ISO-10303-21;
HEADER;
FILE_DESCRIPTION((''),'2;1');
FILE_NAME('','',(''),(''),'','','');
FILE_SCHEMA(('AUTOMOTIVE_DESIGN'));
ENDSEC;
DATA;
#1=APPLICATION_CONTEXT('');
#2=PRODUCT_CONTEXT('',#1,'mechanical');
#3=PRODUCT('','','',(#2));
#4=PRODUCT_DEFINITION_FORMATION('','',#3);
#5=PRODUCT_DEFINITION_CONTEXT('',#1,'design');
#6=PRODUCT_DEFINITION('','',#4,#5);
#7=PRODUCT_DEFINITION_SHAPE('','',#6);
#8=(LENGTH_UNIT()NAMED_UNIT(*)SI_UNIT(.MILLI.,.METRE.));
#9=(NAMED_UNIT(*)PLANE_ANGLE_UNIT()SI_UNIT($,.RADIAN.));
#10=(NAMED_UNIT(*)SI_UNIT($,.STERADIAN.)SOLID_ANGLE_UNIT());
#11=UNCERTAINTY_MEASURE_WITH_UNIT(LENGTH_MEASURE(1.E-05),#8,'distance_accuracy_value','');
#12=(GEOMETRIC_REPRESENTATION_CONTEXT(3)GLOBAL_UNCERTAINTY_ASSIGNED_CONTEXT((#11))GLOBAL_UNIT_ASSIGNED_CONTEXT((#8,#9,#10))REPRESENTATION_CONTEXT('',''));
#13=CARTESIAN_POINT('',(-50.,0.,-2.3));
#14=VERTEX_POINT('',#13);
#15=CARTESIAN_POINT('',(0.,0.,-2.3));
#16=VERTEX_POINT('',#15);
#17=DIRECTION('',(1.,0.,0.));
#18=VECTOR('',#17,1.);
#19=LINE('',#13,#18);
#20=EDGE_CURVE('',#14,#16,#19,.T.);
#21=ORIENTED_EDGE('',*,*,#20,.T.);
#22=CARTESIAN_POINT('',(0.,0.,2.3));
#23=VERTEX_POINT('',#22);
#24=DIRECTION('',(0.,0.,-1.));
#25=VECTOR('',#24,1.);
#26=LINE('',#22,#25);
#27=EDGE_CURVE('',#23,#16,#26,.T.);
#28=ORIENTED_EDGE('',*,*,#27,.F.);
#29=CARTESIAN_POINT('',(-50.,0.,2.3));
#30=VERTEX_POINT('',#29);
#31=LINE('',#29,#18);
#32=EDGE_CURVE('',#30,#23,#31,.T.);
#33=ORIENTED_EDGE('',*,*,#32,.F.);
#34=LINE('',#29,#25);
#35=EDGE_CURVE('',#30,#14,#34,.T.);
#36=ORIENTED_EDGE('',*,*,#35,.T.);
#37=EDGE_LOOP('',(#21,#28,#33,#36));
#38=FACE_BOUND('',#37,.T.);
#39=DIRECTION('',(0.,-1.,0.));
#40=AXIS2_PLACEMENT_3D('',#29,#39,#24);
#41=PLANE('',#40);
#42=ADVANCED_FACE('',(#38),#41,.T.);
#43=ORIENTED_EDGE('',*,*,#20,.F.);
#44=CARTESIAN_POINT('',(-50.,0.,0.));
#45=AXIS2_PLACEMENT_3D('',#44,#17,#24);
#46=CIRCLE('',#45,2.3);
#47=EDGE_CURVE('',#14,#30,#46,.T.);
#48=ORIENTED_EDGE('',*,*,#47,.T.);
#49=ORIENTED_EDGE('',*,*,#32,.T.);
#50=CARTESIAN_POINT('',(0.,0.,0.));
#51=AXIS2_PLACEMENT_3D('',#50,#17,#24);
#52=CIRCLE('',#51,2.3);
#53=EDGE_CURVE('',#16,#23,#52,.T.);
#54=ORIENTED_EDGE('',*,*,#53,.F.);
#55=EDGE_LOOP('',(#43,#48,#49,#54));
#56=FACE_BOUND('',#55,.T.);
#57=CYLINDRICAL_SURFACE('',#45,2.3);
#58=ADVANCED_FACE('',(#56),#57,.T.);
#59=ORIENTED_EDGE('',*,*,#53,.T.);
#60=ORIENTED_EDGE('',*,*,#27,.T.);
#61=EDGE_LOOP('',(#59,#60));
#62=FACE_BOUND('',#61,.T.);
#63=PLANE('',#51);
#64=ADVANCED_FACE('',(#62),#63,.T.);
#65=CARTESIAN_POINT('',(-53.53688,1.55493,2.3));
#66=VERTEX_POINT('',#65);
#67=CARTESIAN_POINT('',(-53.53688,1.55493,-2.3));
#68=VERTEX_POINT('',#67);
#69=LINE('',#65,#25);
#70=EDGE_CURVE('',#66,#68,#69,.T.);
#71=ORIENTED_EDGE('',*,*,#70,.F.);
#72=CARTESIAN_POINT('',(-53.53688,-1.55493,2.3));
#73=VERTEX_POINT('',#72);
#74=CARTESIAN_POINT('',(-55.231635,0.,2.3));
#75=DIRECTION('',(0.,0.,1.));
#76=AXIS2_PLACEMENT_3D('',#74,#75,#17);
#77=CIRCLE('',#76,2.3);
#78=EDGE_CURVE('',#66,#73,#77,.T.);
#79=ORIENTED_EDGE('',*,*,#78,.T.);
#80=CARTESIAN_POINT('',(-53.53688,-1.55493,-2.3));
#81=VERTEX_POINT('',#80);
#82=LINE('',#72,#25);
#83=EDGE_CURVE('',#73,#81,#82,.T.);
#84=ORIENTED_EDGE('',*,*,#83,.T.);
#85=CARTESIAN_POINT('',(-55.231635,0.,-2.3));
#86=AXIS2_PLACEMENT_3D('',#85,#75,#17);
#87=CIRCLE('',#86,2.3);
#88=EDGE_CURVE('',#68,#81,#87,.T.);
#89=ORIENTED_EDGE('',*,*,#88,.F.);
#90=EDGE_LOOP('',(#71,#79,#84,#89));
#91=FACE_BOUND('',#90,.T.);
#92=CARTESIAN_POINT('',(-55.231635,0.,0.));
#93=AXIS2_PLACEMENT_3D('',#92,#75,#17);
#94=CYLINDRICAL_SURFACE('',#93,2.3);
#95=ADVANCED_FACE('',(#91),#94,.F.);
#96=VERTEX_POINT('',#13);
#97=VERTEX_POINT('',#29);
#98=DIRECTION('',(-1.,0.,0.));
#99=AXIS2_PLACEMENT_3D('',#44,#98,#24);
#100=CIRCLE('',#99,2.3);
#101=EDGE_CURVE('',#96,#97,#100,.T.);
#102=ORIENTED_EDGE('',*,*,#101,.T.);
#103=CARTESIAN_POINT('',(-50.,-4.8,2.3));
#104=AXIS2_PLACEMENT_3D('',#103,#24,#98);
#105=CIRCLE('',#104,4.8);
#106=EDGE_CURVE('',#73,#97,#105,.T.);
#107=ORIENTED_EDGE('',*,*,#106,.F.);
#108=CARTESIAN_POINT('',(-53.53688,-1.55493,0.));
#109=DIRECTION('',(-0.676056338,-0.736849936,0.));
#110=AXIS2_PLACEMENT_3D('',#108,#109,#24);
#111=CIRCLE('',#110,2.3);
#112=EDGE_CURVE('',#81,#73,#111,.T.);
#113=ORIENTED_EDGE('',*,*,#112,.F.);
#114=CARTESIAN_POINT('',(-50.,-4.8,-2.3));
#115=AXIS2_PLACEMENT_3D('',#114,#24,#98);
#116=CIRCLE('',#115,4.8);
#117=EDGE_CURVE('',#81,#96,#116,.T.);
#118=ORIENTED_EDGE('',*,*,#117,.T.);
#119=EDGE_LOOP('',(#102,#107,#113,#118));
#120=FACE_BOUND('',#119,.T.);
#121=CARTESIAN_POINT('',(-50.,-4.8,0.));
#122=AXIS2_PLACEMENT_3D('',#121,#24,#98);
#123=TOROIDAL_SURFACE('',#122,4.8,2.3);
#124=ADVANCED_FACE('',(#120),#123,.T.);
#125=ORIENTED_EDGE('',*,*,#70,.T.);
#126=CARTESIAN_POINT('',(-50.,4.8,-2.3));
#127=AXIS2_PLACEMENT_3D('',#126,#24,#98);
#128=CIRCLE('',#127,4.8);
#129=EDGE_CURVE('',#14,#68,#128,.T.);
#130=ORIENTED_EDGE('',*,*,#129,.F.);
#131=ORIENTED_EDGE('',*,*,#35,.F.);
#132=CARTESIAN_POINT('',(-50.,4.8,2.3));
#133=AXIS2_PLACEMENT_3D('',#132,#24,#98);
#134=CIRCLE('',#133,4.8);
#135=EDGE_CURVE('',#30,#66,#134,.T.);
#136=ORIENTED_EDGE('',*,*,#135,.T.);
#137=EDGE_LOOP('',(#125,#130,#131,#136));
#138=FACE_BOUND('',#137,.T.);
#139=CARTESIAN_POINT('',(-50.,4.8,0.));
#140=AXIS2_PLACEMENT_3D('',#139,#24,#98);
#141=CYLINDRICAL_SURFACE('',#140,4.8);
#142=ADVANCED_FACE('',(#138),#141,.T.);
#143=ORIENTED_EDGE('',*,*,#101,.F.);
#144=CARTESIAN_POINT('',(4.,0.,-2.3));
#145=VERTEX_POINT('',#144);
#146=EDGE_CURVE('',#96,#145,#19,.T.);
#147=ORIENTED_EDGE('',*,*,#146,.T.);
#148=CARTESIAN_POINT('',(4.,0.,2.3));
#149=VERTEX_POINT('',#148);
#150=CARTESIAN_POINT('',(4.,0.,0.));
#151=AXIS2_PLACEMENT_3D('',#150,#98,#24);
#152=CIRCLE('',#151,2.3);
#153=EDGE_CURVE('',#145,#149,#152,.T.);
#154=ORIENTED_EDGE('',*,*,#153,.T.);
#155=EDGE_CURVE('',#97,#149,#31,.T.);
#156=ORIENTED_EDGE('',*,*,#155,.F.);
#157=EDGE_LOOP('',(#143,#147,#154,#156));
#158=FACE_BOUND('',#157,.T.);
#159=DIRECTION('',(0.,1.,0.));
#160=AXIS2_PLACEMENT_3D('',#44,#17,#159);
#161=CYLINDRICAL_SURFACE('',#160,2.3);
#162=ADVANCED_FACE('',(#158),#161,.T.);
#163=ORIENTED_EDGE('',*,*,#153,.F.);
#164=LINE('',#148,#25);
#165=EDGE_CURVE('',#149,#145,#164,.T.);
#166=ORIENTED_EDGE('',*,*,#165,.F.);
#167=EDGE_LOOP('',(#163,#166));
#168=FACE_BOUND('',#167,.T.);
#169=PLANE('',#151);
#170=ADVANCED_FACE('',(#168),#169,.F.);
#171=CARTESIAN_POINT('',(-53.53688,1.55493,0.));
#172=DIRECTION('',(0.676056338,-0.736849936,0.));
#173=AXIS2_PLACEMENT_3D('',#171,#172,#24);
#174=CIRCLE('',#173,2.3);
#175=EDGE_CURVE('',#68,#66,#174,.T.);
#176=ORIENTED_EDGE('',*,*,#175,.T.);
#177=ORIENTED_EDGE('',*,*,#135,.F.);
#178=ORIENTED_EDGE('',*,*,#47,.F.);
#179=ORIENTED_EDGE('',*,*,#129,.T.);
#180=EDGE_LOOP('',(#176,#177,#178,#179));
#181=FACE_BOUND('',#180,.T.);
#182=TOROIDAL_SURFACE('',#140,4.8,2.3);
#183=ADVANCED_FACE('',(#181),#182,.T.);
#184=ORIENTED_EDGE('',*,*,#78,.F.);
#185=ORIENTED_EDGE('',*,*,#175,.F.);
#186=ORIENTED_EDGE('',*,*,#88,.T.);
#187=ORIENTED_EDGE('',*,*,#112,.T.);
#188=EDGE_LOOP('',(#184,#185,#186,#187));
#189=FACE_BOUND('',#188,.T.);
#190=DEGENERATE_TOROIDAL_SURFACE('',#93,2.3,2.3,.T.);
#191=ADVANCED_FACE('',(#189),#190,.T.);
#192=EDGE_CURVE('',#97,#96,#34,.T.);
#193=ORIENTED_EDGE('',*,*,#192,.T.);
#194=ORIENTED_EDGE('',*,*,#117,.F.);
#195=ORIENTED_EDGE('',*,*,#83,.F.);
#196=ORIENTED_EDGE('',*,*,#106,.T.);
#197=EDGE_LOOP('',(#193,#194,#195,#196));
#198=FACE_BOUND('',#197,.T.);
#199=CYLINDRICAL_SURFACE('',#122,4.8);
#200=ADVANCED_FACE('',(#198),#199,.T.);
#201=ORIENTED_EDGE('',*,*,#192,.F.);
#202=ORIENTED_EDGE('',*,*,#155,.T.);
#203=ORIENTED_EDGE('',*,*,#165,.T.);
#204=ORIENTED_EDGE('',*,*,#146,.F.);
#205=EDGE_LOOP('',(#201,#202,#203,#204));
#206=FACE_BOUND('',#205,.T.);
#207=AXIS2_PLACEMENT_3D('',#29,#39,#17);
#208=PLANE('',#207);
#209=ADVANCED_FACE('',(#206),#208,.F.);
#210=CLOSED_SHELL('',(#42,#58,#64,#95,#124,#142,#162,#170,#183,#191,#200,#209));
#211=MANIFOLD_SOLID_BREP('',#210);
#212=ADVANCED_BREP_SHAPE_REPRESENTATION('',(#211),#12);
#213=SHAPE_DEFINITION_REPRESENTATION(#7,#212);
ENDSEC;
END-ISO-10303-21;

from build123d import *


with BuildPart() as part:
    # 扫描1: sweep along a path in 草图1
    with BuildLine(Plane.XY) as sweep_1_path:
        Line((0, 2.3), (-50, 2.3))
        ThreePointArc((-50, 2.3), (-51.006143103, 2.511403038), (-51.842124839, 3.109859155))
        ThreePointArc((-51.842124839, 3.109859155), (-59.831634544, 0), (-51.842124839, -3.109859155))
        ThreePointArc((-51.842124839, -3.109859155), (-51.006143103, -2.511403038), (-50, -2.3))
        Line((-50, -2.3), (4, -2.3))
    # 草图2 → 扫描1 (sweep)
    with BuildSketch(Plane(origin=(0, 0, 0), x_dir=(0, 0, -1), z_dir=(1, 0, 0))):
        with BuildLine():
            Line((-2.3, 0), (2.3, 0))
            ThreePointArc((2.3, 0), (0, 2.3), (-2.3, 0))
        make_face()
    sweep(path=sweep_1_path.line)


solid = part.part
